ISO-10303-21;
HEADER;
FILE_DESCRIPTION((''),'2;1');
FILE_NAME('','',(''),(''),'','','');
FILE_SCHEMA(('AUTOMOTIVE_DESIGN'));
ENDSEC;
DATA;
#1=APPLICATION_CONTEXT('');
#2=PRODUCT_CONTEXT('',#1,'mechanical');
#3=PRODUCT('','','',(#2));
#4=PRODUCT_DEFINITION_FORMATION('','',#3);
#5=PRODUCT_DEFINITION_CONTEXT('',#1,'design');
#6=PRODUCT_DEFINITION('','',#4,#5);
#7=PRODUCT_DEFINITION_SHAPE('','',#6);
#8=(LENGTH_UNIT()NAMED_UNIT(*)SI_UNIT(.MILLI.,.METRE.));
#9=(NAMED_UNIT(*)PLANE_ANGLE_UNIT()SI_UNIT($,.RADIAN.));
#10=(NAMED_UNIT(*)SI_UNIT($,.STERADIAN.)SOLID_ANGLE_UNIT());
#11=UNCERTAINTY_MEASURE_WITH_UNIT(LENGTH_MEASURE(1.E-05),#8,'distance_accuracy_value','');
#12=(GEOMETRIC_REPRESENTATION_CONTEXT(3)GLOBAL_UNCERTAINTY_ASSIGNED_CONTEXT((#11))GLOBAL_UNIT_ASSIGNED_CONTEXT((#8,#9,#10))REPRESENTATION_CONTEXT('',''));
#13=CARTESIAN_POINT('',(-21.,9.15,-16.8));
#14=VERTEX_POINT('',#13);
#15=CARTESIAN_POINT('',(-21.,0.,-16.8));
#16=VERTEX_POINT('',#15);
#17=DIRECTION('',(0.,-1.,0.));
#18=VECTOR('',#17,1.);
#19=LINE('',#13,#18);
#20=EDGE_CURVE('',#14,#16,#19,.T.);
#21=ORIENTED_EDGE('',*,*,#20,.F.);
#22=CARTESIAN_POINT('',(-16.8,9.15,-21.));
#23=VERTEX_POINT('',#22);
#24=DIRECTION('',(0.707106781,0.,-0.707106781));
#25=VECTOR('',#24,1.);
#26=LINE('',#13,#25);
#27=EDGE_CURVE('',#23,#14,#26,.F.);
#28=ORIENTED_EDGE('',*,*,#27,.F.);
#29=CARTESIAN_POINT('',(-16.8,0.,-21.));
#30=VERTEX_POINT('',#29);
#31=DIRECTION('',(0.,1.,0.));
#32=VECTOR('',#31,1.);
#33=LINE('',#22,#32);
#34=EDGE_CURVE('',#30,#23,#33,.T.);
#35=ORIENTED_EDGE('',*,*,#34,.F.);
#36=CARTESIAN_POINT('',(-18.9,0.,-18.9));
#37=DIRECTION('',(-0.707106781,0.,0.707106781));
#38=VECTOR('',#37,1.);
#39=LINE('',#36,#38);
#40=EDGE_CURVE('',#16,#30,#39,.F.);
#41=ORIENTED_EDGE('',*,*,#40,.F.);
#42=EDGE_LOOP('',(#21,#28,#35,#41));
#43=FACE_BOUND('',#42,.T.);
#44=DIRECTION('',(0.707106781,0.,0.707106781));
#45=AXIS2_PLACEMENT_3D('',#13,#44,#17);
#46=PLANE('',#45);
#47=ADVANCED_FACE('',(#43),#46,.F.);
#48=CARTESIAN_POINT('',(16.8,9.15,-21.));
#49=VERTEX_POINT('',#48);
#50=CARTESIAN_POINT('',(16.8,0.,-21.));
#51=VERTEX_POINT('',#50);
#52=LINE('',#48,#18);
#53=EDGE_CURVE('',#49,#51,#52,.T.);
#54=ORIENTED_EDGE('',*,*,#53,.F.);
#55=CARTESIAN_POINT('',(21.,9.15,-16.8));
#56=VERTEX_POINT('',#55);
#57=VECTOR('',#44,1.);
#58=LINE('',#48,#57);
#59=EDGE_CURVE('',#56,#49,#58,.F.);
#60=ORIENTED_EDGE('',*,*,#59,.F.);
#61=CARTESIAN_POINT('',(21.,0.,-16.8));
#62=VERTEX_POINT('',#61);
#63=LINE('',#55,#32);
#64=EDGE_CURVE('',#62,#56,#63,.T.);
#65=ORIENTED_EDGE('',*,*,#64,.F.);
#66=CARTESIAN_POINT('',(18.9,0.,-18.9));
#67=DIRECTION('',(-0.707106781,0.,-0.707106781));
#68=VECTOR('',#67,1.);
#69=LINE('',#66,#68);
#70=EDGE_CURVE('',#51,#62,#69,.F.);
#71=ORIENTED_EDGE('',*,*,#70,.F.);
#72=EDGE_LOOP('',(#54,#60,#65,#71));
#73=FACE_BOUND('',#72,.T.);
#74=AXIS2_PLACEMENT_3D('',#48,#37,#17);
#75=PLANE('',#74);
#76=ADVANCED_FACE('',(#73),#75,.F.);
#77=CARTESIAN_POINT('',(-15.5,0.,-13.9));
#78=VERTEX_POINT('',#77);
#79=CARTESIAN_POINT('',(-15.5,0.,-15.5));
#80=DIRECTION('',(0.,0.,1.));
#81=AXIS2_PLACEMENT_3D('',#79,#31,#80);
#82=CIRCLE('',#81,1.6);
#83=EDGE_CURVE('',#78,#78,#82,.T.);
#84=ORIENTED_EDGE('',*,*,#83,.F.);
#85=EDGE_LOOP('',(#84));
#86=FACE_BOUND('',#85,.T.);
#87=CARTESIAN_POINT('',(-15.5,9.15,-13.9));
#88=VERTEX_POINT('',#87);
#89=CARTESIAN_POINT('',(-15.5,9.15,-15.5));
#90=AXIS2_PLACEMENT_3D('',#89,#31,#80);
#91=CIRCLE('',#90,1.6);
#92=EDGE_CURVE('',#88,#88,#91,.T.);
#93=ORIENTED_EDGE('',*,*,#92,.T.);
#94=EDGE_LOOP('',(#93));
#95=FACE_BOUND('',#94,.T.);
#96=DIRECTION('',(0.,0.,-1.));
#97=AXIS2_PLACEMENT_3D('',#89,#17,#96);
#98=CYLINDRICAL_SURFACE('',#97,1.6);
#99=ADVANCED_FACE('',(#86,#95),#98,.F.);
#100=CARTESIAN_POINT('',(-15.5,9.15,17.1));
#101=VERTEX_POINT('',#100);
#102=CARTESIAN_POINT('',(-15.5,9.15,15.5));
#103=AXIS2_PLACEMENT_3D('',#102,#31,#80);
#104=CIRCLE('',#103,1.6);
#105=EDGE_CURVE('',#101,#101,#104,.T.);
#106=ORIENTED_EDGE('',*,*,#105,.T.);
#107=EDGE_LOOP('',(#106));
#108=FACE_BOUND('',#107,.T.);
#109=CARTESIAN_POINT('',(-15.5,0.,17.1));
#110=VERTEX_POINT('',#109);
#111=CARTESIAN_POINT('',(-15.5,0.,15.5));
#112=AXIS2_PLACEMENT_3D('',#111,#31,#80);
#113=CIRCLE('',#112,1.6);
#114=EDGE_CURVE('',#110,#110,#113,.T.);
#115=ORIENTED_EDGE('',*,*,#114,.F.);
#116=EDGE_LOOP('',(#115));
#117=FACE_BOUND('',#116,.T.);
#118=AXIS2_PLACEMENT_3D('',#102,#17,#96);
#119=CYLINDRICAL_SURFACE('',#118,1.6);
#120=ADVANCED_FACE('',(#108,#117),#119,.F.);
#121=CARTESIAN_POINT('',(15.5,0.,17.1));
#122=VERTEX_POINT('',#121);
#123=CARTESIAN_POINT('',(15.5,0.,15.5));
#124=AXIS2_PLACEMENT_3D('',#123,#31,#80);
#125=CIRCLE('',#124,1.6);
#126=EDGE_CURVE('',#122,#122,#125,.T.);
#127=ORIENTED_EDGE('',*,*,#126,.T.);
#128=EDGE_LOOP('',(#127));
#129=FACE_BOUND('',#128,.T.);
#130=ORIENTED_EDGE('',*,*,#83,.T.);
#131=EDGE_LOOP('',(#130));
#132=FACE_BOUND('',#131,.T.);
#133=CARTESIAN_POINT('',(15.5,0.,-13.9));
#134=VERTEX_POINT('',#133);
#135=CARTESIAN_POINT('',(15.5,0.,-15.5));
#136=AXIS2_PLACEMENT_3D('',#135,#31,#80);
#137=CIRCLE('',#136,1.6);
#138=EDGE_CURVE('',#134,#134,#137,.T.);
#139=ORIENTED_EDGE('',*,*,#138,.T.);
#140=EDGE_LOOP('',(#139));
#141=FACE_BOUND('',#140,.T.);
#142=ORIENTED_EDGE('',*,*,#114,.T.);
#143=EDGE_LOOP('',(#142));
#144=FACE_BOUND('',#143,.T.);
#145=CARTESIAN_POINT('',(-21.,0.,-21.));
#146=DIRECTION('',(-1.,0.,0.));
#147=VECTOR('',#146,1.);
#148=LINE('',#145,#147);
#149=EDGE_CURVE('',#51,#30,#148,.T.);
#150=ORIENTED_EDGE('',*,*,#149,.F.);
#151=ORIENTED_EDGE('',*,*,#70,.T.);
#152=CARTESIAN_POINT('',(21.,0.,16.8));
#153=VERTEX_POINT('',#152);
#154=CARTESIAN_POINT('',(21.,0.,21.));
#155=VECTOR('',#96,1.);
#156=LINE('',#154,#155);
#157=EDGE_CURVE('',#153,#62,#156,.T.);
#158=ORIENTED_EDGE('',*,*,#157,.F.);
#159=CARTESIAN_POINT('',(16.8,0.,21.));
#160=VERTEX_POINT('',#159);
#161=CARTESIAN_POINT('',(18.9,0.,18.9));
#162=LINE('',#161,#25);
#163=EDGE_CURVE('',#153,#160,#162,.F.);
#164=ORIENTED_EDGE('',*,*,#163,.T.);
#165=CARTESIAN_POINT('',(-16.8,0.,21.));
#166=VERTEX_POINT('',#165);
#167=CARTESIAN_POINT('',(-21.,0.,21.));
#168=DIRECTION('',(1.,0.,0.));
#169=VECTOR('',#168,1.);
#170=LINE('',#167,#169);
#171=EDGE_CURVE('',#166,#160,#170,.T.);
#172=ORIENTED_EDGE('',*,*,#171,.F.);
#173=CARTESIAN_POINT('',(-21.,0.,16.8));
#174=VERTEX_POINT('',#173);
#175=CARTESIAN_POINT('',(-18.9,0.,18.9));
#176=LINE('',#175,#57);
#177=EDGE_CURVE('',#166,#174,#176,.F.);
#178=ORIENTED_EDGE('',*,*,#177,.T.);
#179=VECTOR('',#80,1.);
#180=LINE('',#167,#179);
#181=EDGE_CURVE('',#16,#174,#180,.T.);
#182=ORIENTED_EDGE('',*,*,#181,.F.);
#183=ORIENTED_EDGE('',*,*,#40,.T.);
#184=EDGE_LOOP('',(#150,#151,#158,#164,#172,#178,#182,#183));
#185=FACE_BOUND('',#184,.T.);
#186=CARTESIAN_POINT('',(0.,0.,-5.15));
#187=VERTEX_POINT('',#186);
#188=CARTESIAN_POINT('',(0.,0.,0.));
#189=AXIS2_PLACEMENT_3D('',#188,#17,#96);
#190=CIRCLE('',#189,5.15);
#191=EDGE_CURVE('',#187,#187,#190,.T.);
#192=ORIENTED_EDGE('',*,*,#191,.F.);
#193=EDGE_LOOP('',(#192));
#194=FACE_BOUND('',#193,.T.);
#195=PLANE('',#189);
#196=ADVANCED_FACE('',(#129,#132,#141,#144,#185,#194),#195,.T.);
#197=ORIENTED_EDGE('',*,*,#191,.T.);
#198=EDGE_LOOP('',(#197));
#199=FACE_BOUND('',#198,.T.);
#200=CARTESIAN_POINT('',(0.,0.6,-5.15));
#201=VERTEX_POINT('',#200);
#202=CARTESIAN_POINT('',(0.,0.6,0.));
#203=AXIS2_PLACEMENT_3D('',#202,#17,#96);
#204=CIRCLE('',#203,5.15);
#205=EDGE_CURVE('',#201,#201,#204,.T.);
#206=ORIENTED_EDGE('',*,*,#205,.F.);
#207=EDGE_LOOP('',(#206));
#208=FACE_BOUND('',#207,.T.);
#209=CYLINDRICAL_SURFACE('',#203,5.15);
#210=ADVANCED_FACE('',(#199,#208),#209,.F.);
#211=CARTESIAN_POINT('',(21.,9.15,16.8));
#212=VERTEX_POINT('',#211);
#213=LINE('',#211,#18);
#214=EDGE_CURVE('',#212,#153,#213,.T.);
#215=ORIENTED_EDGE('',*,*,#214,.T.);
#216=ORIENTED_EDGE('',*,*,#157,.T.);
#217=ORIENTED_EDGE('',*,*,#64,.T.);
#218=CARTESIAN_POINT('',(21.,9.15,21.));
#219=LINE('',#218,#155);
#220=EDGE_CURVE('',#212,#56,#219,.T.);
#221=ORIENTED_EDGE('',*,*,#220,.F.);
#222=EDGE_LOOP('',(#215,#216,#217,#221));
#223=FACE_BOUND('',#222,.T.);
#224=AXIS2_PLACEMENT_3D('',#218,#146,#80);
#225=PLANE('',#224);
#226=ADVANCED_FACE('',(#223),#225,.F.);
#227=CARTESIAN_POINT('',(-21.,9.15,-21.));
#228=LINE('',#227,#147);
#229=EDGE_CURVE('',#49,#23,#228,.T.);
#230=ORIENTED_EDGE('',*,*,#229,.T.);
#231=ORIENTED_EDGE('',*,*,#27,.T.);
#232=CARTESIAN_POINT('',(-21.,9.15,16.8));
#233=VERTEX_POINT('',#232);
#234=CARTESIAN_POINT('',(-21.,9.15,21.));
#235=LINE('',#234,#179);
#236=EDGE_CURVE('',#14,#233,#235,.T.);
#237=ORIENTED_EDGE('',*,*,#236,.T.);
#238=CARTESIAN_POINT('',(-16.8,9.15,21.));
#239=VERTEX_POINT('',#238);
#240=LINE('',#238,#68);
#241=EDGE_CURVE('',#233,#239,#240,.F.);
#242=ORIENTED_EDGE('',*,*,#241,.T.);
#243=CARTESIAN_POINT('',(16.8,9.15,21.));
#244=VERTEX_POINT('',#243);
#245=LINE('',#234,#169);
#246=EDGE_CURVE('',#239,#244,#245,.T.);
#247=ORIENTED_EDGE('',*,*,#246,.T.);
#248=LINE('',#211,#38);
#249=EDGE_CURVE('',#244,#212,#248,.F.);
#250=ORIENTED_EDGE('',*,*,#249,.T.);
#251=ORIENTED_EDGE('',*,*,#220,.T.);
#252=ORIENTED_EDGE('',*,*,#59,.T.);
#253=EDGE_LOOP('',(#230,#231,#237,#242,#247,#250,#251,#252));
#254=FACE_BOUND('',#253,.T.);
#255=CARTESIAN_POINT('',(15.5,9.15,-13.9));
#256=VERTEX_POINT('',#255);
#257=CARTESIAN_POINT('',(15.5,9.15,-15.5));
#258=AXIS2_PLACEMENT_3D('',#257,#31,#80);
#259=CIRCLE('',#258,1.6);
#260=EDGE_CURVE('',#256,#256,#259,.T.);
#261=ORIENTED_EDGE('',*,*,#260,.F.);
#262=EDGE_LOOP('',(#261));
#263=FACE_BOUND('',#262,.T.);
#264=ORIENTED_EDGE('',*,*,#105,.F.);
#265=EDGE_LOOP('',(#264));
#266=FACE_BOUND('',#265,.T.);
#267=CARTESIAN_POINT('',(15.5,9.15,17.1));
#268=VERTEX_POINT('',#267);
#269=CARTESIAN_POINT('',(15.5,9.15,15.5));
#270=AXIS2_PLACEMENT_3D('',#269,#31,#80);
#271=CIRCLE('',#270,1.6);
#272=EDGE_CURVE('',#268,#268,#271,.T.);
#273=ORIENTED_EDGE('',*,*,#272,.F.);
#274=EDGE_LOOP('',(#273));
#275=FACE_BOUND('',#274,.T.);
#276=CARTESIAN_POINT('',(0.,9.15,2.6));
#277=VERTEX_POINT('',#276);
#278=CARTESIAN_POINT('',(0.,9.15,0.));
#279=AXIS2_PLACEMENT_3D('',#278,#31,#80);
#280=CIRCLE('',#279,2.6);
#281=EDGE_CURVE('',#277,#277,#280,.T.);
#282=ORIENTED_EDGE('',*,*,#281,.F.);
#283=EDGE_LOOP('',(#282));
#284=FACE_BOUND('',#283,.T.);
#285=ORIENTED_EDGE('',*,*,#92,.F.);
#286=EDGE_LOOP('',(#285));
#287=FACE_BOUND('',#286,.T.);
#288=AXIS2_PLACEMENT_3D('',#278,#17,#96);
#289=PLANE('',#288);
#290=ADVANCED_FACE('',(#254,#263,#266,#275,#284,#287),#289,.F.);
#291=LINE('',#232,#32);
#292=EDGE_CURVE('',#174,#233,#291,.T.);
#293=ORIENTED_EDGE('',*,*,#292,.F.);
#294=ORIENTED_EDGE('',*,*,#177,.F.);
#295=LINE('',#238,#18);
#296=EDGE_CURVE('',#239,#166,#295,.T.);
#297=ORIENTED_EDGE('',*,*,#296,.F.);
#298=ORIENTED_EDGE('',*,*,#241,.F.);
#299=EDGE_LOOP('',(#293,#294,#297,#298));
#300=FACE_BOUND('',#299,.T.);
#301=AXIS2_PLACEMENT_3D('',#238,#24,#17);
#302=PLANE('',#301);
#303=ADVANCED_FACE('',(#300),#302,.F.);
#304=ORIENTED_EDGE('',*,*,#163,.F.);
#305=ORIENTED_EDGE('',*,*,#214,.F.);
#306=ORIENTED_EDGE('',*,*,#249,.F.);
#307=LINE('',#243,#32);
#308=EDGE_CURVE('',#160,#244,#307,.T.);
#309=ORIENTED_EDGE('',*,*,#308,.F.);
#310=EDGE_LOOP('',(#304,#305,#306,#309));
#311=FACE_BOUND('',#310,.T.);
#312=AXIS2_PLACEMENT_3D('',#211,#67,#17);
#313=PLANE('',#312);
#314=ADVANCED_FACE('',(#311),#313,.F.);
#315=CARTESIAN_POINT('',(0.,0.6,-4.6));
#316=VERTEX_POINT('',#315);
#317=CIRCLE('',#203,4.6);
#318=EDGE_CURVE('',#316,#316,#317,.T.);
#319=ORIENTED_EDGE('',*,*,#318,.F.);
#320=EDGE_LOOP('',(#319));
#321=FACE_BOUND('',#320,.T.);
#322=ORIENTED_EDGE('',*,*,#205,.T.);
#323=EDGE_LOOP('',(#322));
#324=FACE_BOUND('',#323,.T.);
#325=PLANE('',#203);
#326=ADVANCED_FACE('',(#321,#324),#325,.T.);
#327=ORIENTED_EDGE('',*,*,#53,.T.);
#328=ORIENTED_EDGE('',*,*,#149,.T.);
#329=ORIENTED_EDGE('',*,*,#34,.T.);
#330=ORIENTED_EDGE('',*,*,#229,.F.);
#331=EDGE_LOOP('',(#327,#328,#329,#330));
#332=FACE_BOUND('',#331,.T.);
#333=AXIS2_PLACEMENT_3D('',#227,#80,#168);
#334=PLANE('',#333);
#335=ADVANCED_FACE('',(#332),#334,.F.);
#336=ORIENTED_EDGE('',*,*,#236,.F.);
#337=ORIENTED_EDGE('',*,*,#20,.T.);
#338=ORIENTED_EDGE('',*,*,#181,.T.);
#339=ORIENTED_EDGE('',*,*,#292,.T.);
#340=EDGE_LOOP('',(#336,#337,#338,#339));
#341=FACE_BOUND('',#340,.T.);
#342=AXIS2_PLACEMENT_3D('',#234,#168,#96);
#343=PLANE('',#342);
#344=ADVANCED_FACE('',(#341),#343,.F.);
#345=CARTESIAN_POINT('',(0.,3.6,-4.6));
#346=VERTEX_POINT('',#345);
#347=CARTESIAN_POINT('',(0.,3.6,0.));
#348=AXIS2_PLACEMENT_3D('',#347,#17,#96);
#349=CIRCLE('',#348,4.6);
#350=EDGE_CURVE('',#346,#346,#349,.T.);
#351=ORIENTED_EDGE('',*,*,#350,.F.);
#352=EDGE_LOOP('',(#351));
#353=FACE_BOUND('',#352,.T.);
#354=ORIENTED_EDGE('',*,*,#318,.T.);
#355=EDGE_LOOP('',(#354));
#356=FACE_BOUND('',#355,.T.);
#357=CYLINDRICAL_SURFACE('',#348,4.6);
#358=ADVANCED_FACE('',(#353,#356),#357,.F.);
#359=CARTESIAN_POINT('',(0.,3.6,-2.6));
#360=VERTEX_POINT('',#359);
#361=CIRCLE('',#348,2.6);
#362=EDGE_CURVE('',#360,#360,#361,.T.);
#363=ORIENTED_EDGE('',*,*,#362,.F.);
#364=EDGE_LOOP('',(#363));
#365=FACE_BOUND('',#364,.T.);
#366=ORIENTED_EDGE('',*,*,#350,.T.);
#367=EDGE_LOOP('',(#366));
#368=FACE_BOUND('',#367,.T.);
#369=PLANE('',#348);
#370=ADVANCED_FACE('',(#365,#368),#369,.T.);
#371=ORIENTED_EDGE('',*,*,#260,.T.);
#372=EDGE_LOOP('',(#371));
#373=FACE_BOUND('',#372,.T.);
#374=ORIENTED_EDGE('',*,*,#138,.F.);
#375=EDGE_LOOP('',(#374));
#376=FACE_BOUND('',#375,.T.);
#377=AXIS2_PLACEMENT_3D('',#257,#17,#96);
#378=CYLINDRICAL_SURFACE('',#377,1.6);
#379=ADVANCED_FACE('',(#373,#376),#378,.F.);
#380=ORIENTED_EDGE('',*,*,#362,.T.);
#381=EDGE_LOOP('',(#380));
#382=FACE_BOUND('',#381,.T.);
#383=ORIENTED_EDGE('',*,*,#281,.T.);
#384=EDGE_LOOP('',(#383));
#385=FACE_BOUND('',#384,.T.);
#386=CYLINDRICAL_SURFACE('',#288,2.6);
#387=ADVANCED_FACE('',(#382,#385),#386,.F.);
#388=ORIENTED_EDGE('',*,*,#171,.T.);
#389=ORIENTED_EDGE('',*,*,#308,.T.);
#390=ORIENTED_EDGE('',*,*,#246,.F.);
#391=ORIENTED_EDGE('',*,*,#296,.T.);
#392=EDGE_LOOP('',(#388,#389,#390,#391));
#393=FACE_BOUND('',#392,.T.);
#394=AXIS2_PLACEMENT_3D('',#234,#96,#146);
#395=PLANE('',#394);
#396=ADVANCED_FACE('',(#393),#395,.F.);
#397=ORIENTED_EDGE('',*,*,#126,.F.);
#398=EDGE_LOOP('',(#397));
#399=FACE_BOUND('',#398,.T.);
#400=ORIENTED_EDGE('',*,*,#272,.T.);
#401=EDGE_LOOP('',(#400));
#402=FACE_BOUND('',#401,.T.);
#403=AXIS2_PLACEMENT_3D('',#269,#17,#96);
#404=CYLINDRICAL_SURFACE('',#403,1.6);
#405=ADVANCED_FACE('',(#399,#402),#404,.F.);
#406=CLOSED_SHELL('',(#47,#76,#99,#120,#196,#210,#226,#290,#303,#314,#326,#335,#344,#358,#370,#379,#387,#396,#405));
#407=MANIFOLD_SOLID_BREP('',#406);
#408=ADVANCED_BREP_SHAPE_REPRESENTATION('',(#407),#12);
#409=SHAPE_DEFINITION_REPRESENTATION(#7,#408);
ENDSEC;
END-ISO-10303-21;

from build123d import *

# Parameters (mm, degrees)
SKETCH_1_W          = 42
SKETCH_1_H          = 42
SKETCH_1_R          = 1.6
SKETCH_1_R_2        = 2.6
EXTRUDE_1_DEPTH     = 9.15
SKETCH_2_R          = 5.15
CUT_EXTRUDE_1_DEPTH = 0.6
CHAMFER_1_SIZE      = 4.2
SKETCH_3_R          = 4.6
CUT_EXTRUDE_2_DEPTH = 3


with BuildPart() as part:
    # 草图1 → 凸台-拉伸1 (new body)
    with BuildSketch(Plane(origin=(0, 0, 0), x_dir=(1, 0, 0), z_dir=(0, 1, 0))):
        Rectangle(SKETCH_1_W, SKETCH_1_H)
        with Locations((-15.5, 15.5)):
            Circle(SKETCH_1_R, mode=Mode.SUBTRACT)
        with Locations((15.5, 15.5)):
            Circle(SKETCH_1_R, mode=Mode.SUBTRACT)
        with Locations((15.5, -15.5)):
            Circle(SKETCH_1_R, mode=Mode.SUBTRACT)
        with Locations((-15.5, -15.5)):
            Circle(SKETCH_1_R, mode=Mode.SUBTRACT)
        Circle(SKETCH_1_R_2, mode=Mode.SUBTRACT)
    extrude(amount=EXTRUDE_1_DEPTH)

    # 草图2 → 切除-拉伸1 (cut)
    with BuildSketch(Plane.XZ):
        Circle(SKETCH_2_R)
    extrude(amount=-CUT_EXTRUDE_1_DEPTH, mode=Mode.SUBTRACT)

    # 倒角1
    chamfer_1_edges = [part.edges().sort_by_distance(p)[0] for p in [
        (21, 4.575, 21),
        (-21, 4.575, 21),
        (-21, 4.575, -21),
        (21, 4.575, -21),
    ]]
    chamfer(chamfer_1_edges, length=CHAMFER_1_SIZE)

    # 草图3 → 切除-拉伸2 (cut)
    with BuildSketch(Plane.XZ.offset(-0.6)):
        Circle(SKETCH_3_R)
    extrude(amount=-CUT_EXTRUDE_2_DEPTH, mode=Mode.SUBTRACT)


solid = part.part
